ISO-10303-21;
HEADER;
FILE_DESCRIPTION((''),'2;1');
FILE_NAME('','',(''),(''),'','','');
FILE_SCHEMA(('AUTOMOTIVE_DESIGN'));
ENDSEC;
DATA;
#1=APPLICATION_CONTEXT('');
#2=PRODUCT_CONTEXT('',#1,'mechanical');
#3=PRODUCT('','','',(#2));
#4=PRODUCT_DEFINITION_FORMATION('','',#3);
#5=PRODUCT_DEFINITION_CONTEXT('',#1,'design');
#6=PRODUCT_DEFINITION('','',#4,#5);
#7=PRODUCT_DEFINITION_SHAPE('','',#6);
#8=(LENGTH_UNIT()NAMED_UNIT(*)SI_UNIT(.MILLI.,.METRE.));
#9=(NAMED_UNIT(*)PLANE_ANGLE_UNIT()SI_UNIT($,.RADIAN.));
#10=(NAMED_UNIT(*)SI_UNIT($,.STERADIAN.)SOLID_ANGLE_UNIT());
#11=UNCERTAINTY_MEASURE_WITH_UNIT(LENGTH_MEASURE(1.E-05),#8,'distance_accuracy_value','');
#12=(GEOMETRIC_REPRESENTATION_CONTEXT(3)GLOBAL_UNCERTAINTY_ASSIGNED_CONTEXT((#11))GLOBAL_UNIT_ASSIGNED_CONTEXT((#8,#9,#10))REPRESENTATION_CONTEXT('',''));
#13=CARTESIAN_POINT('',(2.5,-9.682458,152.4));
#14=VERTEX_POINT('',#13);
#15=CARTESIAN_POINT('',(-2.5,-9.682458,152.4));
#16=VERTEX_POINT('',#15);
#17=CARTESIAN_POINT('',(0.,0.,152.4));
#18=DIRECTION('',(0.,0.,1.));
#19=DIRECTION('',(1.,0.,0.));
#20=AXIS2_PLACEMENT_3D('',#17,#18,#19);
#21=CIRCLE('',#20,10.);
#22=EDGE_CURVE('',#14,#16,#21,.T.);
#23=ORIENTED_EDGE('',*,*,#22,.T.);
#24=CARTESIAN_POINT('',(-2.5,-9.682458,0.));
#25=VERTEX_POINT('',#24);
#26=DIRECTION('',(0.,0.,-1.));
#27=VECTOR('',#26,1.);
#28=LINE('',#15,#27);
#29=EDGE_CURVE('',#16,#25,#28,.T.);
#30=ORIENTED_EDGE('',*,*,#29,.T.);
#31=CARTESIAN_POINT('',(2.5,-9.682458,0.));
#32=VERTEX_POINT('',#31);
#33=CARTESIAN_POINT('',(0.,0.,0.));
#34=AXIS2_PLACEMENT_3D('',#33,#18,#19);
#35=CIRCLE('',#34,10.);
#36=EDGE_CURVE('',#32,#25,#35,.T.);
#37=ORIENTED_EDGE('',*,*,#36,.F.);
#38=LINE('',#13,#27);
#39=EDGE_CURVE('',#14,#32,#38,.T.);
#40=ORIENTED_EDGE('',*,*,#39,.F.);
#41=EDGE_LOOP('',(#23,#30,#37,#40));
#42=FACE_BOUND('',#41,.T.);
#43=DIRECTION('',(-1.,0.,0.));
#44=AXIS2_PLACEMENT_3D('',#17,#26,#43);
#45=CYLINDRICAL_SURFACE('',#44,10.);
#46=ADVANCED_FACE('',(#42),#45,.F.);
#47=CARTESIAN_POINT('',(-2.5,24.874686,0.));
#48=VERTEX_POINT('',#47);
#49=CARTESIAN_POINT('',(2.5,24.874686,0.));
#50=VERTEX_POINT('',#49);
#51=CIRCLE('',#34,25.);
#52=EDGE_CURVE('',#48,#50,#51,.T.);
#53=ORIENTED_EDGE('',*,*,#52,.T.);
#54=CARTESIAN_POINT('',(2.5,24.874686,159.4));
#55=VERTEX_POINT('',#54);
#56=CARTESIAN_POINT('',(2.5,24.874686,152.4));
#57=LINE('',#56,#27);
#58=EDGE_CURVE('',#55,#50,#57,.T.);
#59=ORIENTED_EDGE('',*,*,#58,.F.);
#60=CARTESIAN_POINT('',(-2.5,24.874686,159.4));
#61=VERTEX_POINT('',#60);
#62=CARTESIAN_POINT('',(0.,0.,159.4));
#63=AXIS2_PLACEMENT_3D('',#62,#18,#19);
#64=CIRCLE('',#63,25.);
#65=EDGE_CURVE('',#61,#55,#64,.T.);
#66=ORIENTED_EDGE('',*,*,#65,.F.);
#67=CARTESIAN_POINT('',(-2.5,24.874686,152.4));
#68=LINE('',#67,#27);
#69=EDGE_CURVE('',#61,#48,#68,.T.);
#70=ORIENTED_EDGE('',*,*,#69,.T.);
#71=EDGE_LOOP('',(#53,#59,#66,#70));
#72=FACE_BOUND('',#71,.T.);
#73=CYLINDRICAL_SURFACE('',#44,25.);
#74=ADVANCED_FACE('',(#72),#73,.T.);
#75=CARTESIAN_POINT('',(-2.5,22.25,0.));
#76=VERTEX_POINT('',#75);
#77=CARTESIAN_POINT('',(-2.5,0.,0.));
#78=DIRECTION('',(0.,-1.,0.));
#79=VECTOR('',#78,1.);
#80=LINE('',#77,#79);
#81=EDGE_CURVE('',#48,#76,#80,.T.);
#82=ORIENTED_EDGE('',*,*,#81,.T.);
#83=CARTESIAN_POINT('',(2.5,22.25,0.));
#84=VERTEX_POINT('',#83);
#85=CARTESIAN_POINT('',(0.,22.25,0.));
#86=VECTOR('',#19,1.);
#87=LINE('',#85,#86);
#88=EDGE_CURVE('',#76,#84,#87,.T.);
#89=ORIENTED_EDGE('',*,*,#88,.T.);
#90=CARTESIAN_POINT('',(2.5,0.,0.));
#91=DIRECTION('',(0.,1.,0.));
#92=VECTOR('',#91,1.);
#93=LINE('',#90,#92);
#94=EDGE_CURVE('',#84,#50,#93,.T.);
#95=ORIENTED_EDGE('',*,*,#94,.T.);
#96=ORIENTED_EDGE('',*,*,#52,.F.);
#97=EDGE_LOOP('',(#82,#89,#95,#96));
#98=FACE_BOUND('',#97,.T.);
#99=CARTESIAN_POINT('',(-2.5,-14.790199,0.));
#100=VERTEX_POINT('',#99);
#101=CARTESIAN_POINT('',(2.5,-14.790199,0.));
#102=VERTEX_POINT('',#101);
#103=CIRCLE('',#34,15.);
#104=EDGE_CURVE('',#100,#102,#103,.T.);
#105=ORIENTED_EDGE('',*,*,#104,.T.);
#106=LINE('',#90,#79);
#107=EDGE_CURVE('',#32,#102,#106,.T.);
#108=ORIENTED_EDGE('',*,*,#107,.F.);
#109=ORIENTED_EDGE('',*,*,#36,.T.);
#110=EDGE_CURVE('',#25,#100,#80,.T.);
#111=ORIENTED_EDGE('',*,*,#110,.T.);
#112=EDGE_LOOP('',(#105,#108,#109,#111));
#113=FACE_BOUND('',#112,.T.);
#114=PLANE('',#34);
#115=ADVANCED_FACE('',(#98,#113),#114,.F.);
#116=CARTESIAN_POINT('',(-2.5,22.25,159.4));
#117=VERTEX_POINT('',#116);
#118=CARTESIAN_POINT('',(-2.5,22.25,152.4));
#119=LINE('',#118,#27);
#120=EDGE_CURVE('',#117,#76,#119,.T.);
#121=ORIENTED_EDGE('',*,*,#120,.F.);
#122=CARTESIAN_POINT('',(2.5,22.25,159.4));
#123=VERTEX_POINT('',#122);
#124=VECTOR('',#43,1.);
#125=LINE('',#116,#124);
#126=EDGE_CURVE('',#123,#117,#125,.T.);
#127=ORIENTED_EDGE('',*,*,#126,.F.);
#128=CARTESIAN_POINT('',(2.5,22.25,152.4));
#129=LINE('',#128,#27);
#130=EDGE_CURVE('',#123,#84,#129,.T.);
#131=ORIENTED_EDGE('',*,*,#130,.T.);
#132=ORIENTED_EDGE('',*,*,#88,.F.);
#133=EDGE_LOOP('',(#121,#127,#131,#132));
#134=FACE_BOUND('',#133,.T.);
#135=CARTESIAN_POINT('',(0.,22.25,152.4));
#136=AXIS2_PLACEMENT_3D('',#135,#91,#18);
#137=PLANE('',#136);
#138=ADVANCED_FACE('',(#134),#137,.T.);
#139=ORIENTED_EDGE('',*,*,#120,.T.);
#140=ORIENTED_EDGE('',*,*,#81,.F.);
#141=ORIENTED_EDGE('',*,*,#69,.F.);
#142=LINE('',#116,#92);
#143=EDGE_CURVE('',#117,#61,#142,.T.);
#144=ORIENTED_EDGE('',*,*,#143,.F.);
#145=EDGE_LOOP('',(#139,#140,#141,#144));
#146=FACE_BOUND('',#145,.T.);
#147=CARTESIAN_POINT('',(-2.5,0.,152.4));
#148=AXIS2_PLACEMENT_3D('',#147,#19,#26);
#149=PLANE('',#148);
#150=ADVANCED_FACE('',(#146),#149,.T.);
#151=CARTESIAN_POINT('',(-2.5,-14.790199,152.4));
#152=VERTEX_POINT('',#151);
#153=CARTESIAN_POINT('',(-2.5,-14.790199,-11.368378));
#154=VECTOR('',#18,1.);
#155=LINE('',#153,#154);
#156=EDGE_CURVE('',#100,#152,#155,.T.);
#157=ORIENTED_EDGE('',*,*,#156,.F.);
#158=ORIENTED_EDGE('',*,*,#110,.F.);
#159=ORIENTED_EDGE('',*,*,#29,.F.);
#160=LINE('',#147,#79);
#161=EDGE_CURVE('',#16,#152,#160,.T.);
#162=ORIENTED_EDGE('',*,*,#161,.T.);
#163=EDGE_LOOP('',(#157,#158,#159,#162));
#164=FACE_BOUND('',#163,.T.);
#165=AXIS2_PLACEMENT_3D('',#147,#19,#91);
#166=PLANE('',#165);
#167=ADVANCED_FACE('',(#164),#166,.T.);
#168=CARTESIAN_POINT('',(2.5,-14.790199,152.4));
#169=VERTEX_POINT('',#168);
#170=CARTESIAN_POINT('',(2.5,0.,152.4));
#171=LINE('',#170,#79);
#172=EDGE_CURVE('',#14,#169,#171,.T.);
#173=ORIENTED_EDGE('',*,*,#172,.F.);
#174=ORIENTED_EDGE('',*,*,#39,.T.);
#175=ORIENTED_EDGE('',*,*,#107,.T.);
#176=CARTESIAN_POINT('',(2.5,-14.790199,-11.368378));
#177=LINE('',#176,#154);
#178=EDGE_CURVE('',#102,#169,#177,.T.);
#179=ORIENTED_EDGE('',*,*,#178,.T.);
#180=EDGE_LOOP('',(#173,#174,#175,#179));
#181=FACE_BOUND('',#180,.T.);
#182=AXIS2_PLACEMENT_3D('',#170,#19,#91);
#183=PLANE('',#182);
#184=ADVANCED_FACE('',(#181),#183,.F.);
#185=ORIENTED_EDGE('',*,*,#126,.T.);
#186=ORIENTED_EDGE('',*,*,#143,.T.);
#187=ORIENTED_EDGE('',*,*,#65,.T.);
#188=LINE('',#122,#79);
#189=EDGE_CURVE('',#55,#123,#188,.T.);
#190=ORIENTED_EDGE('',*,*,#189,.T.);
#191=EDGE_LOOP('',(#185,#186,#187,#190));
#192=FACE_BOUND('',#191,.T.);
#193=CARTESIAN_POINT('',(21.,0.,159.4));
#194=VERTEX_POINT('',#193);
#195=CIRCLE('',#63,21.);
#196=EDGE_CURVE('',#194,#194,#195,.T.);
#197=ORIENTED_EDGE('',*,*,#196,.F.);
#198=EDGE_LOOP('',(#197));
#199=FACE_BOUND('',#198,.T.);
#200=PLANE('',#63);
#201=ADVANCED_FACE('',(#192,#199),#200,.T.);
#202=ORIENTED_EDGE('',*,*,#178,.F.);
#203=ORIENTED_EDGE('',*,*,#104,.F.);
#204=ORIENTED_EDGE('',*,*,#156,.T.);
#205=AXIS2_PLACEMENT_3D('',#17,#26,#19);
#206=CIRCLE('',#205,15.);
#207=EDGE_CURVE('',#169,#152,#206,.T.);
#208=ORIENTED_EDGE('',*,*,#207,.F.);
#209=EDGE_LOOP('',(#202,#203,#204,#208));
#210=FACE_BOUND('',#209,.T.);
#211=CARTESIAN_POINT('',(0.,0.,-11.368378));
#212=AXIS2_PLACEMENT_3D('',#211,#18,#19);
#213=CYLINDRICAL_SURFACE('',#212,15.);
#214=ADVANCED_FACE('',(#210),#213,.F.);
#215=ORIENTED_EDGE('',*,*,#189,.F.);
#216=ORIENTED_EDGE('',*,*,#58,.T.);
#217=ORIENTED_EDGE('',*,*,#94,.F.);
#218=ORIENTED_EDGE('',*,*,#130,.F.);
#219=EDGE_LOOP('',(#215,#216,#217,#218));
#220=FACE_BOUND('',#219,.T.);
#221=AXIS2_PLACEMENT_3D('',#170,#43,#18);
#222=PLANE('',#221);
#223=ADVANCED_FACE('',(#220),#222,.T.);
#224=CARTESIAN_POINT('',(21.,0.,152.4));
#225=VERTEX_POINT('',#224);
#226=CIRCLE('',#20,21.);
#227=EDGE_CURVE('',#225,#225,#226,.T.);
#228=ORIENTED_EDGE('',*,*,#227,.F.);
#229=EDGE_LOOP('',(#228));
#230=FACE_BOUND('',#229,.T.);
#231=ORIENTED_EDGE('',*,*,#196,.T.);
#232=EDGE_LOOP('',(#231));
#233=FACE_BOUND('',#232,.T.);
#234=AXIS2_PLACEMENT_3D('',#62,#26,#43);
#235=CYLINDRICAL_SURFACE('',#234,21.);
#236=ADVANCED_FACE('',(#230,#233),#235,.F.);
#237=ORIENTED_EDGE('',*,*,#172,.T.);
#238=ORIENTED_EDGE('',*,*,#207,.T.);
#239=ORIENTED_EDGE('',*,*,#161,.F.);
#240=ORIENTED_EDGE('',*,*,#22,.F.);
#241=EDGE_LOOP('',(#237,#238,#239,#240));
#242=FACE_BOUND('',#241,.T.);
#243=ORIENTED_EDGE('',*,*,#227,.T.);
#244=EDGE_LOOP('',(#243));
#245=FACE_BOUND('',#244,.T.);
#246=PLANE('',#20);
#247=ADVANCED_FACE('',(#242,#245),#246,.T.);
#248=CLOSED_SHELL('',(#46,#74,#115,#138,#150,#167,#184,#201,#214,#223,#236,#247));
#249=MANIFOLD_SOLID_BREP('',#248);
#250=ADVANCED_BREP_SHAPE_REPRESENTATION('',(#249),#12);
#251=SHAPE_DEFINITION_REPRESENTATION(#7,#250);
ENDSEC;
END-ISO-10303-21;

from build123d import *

# Parameters (mm, degrees)
BOSS_EXTRUDE1_DEPTH = 152.4
SKETCH3_R           = 21
BOSS_EXTRUDE2_DEPTH = 7
BOSS_EXTRUDE3_START = -152.4
BOSS_EXTRUDE3_DEPTH = 152.4


with BuildPart() as part:
    # Sketch1 → Boss-Extrude1 (new body)
    with BuildSketch(Plane.XY):
        with BuildLine():
            Line((-2.5, 22.25), (-2.5, 24.874685928))
            ThreePointArc((-2.5, 24.874685928), (-25, 0), (-2.5, -24.874685928))
            Line((-2.5, -24.874685928), (-2.5, -9.682458366))
            ThreePointArc((-2.5, -9.682458366), (0, 10), (2.5, -9.682458366))
            Line((2.5, -9.682458366), (2.5, -24.874685928))
            ThreePointArc((2.5, -24.874685928), (25, 0), (2.5, 24.874685928))
            Line((2.5, 24.874685928), (2.5, 22.25))
            Line((2.5, 22.25), (-2.5, 22.25))
        make_face()
    extrude(amount=BOSS_EXTRUDE1_DEPTH)

    # Sketch3 → Boss-Extrude2 (add)
    with BuildSketch(Plane.XY.offset(152.4)):
        with BuildLine():
            Line((-2.5, 22.25), (2.5, 22.25))
            Line((2.5, 22.25), (2.5, 24.874685928))
            ThreePointArc((2.5, 24.874685928), (24.874685928, -2.5), (-2.5, -24.874685928))
            ThreePointArc((-2.5, -24.874685928), (-25, 0), (-2.5, 24.874685928))
            Line((-2.5, 24.874685928), (-2.5, 22.25))
        make_face()
        with Locations(Location((0, 0, 0), (0, 0, 263.162858832))):
            Circle(SKETCH3_R, mode=Mode.SUBTRACT)
    extrude(amount=BOSS_EXTRUDE2_DEPTH)

    # Sketch4 → Boss-Extrude3 (add)
    with BuildSketch(Plane.XY.offset(152.4).offset(BOSS_EXTRUDE3_START)):
        with BuildLine():
            Line((-2.5, -14.790199458), (-2.5, -24.874685928))
            ThreePointArc((-2.5, -24.874685928), (0, -25), (2.5, -24.874685928))
            Line((2.5, -24.874685928), (2.5, -14.790199458))
            ThreePointArc((2.5, -14.790199458), (0, -15), (-2.5, -14.790199458))
        make_face()
    extrude(amount=BOSS_EXTRUDE3_DEPTH)


solid = part.part
